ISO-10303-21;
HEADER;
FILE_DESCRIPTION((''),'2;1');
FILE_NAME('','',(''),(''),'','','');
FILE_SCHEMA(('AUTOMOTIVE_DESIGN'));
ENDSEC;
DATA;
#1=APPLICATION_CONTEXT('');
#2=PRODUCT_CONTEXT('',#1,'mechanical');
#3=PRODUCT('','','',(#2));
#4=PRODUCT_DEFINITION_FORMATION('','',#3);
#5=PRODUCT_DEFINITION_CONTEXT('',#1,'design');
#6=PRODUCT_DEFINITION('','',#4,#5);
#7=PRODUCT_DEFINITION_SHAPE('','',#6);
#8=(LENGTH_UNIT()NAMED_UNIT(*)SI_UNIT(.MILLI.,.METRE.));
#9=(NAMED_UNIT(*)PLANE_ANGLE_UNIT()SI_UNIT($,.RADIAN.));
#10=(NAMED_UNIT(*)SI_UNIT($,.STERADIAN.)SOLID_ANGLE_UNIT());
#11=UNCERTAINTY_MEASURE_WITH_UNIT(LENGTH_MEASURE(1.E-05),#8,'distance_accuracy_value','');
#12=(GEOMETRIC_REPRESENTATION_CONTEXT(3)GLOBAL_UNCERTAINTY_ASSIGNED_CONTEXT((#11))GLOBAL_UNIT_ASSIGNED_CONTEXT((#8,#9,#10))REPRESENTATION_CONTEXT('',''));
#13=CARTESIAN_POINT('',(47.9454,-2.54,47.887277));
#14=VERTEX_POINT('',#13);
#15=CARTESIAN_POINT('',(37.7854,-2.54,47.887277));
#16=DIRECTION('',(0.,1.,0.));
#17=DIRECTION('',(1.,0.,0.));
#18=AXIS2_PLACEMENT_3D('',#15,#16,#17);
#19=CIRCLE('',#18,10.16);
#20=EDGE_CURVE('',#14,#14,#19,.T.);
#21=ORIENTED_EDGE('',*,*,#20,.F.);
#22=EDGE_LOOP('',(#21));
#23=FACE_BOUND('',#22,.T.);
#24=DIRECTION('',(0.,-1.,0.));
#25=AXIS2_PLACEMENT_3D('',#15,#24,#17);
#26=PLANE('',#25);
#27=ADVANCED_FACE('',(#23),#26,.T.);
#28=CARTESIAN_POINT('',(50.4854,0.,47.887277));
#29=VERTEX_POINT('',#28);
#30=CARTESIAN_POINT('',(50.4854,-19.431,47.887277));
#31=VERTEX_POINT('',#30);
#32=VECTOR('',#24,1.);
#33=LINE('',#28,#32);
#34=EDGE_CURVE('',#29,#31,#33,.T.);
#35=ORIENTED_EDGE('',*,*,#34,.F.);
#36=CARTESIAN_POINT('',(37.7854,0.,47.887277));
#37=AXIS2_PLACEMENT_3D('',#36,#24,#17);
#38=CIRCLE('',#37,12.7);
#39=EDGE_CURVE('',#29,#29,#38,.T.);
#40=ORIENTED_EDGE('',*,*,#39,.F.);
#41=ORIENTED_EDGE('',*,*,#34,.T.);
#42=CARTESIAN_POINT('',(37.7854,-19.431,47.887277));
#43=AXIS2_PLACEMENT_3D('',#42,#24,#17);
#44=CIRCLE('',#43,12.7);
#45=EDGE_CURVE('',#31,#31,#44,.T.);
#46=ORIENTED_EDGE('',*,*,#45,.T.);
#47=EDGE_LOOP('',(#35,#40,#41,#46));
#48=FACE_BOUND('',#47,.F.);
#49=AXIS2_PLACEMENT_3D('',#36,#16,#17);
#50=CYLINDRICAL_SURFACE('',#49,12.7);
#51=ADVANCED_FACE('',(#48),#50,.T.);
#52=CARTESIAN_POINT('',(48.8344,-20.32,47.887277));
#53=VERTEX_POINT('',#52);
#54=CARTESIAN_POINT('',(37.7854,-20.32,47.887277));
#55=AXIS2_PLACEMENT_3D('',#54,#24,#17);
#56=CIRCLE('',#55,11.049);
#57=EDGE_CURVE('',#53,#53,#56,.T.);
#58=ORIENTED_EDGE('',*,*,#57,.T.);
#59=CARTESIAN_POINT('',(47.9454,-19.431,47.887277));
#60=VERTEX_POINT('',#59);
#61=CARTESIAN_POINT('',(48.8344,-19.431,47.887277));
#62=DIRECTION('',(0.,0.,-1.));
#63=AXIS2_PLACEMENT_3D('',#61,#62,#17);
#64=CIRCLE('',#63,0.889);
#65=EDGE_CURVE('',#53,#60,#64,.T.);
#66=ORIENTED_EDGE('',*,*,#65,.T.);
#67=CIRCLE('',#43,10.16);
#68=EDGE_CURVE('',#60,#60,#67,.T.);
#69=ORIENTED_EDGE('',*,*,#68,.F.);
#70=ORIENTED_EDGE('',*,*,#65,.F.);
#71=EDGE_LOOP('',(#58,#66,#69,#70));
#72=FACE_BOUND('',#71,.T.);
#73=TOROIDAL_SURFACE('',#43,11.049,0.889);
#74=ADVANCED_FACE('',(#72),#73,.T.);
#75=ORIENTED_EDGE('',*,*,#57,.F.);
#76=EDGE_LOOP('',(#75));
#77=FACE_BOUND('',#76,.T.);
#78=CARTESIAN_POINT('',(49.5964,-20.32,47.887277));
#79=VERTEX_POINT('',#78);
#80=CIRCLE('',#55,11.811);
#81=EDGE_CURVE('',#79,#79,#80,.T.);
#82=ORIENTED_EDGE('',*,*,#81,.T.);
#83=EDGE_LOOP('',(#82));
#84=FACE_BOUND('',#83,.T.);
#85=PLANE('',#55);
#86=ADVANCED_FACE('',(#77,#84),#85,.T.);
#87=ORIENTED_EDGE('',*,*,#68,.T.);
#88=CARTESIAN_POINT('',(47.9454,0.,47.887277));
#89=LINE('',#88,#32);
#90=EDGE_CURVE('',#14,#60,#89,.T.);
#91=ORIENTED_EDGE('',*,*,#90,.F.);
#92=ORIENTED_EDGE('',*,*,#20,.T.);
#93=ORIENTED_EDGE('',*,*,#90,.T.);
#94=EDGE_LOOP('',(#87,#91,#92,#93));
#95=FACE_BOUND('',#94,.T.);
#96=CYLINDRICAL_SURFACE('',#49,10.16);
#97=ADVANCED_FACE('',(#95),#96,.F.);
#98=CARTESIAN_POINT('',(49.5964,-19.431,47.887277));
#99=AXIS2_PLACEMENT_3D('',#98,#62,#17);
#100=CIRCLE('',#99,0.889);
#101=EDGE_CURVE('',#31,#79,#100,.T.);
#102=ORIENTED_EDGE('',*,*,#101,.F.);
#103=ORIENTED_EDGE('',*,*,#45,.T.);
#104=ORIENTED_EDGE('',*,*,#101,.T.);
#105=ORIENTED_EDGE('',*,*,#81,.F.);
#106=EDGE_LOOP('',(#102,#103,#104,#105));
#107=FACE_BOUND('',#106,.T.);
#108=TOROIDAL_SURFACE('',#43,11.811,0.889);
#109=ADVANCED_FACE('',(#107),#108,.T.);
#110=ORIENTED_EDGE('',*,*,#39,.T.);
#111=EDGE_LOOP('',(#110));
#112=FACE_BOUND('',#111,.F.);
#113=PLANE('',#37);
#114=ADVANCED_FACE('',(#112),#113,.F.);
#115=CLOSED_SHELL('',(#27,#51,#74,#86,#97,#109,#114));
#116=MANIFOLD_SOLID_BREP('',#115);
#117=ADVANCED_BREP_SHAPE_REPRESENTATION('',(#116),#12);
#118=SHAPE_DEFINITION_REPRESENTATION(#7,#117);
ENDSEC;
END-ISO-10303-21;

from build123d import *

# Parameters (mm, degrees)
F0_R     = 12.7
F1_DEPTH = 20.32
F2_T     = -2.54
F3_R     = 0.889


with BuildPart() as f1:
    # F0 (on Front) → F1 (new body)
    with BuildSketch(Plane.XZ):
        with Locations((37.7853997052, 47.8872768581)):
            Circle(F0_R)
    extrude(amount=F1_DEPTH)

    # F2
    f2_openings = [f1.faces().sort_by_distance(p)[0] for p in [
        (37.7854, -20.32, 47.887277),
    ]]
    offset(amount=F2_T, openings=f2_openings)

    # F3
    f3_edges = [f1.edges().sort_by_distance(p)[0] for p in [
        (25.0854, -20.32, 47.887277),
        (27.6254, -20.32, 47.887277),
    ]]
    fillet(f3_edges, radius=F3_R)


solid = f1.part
